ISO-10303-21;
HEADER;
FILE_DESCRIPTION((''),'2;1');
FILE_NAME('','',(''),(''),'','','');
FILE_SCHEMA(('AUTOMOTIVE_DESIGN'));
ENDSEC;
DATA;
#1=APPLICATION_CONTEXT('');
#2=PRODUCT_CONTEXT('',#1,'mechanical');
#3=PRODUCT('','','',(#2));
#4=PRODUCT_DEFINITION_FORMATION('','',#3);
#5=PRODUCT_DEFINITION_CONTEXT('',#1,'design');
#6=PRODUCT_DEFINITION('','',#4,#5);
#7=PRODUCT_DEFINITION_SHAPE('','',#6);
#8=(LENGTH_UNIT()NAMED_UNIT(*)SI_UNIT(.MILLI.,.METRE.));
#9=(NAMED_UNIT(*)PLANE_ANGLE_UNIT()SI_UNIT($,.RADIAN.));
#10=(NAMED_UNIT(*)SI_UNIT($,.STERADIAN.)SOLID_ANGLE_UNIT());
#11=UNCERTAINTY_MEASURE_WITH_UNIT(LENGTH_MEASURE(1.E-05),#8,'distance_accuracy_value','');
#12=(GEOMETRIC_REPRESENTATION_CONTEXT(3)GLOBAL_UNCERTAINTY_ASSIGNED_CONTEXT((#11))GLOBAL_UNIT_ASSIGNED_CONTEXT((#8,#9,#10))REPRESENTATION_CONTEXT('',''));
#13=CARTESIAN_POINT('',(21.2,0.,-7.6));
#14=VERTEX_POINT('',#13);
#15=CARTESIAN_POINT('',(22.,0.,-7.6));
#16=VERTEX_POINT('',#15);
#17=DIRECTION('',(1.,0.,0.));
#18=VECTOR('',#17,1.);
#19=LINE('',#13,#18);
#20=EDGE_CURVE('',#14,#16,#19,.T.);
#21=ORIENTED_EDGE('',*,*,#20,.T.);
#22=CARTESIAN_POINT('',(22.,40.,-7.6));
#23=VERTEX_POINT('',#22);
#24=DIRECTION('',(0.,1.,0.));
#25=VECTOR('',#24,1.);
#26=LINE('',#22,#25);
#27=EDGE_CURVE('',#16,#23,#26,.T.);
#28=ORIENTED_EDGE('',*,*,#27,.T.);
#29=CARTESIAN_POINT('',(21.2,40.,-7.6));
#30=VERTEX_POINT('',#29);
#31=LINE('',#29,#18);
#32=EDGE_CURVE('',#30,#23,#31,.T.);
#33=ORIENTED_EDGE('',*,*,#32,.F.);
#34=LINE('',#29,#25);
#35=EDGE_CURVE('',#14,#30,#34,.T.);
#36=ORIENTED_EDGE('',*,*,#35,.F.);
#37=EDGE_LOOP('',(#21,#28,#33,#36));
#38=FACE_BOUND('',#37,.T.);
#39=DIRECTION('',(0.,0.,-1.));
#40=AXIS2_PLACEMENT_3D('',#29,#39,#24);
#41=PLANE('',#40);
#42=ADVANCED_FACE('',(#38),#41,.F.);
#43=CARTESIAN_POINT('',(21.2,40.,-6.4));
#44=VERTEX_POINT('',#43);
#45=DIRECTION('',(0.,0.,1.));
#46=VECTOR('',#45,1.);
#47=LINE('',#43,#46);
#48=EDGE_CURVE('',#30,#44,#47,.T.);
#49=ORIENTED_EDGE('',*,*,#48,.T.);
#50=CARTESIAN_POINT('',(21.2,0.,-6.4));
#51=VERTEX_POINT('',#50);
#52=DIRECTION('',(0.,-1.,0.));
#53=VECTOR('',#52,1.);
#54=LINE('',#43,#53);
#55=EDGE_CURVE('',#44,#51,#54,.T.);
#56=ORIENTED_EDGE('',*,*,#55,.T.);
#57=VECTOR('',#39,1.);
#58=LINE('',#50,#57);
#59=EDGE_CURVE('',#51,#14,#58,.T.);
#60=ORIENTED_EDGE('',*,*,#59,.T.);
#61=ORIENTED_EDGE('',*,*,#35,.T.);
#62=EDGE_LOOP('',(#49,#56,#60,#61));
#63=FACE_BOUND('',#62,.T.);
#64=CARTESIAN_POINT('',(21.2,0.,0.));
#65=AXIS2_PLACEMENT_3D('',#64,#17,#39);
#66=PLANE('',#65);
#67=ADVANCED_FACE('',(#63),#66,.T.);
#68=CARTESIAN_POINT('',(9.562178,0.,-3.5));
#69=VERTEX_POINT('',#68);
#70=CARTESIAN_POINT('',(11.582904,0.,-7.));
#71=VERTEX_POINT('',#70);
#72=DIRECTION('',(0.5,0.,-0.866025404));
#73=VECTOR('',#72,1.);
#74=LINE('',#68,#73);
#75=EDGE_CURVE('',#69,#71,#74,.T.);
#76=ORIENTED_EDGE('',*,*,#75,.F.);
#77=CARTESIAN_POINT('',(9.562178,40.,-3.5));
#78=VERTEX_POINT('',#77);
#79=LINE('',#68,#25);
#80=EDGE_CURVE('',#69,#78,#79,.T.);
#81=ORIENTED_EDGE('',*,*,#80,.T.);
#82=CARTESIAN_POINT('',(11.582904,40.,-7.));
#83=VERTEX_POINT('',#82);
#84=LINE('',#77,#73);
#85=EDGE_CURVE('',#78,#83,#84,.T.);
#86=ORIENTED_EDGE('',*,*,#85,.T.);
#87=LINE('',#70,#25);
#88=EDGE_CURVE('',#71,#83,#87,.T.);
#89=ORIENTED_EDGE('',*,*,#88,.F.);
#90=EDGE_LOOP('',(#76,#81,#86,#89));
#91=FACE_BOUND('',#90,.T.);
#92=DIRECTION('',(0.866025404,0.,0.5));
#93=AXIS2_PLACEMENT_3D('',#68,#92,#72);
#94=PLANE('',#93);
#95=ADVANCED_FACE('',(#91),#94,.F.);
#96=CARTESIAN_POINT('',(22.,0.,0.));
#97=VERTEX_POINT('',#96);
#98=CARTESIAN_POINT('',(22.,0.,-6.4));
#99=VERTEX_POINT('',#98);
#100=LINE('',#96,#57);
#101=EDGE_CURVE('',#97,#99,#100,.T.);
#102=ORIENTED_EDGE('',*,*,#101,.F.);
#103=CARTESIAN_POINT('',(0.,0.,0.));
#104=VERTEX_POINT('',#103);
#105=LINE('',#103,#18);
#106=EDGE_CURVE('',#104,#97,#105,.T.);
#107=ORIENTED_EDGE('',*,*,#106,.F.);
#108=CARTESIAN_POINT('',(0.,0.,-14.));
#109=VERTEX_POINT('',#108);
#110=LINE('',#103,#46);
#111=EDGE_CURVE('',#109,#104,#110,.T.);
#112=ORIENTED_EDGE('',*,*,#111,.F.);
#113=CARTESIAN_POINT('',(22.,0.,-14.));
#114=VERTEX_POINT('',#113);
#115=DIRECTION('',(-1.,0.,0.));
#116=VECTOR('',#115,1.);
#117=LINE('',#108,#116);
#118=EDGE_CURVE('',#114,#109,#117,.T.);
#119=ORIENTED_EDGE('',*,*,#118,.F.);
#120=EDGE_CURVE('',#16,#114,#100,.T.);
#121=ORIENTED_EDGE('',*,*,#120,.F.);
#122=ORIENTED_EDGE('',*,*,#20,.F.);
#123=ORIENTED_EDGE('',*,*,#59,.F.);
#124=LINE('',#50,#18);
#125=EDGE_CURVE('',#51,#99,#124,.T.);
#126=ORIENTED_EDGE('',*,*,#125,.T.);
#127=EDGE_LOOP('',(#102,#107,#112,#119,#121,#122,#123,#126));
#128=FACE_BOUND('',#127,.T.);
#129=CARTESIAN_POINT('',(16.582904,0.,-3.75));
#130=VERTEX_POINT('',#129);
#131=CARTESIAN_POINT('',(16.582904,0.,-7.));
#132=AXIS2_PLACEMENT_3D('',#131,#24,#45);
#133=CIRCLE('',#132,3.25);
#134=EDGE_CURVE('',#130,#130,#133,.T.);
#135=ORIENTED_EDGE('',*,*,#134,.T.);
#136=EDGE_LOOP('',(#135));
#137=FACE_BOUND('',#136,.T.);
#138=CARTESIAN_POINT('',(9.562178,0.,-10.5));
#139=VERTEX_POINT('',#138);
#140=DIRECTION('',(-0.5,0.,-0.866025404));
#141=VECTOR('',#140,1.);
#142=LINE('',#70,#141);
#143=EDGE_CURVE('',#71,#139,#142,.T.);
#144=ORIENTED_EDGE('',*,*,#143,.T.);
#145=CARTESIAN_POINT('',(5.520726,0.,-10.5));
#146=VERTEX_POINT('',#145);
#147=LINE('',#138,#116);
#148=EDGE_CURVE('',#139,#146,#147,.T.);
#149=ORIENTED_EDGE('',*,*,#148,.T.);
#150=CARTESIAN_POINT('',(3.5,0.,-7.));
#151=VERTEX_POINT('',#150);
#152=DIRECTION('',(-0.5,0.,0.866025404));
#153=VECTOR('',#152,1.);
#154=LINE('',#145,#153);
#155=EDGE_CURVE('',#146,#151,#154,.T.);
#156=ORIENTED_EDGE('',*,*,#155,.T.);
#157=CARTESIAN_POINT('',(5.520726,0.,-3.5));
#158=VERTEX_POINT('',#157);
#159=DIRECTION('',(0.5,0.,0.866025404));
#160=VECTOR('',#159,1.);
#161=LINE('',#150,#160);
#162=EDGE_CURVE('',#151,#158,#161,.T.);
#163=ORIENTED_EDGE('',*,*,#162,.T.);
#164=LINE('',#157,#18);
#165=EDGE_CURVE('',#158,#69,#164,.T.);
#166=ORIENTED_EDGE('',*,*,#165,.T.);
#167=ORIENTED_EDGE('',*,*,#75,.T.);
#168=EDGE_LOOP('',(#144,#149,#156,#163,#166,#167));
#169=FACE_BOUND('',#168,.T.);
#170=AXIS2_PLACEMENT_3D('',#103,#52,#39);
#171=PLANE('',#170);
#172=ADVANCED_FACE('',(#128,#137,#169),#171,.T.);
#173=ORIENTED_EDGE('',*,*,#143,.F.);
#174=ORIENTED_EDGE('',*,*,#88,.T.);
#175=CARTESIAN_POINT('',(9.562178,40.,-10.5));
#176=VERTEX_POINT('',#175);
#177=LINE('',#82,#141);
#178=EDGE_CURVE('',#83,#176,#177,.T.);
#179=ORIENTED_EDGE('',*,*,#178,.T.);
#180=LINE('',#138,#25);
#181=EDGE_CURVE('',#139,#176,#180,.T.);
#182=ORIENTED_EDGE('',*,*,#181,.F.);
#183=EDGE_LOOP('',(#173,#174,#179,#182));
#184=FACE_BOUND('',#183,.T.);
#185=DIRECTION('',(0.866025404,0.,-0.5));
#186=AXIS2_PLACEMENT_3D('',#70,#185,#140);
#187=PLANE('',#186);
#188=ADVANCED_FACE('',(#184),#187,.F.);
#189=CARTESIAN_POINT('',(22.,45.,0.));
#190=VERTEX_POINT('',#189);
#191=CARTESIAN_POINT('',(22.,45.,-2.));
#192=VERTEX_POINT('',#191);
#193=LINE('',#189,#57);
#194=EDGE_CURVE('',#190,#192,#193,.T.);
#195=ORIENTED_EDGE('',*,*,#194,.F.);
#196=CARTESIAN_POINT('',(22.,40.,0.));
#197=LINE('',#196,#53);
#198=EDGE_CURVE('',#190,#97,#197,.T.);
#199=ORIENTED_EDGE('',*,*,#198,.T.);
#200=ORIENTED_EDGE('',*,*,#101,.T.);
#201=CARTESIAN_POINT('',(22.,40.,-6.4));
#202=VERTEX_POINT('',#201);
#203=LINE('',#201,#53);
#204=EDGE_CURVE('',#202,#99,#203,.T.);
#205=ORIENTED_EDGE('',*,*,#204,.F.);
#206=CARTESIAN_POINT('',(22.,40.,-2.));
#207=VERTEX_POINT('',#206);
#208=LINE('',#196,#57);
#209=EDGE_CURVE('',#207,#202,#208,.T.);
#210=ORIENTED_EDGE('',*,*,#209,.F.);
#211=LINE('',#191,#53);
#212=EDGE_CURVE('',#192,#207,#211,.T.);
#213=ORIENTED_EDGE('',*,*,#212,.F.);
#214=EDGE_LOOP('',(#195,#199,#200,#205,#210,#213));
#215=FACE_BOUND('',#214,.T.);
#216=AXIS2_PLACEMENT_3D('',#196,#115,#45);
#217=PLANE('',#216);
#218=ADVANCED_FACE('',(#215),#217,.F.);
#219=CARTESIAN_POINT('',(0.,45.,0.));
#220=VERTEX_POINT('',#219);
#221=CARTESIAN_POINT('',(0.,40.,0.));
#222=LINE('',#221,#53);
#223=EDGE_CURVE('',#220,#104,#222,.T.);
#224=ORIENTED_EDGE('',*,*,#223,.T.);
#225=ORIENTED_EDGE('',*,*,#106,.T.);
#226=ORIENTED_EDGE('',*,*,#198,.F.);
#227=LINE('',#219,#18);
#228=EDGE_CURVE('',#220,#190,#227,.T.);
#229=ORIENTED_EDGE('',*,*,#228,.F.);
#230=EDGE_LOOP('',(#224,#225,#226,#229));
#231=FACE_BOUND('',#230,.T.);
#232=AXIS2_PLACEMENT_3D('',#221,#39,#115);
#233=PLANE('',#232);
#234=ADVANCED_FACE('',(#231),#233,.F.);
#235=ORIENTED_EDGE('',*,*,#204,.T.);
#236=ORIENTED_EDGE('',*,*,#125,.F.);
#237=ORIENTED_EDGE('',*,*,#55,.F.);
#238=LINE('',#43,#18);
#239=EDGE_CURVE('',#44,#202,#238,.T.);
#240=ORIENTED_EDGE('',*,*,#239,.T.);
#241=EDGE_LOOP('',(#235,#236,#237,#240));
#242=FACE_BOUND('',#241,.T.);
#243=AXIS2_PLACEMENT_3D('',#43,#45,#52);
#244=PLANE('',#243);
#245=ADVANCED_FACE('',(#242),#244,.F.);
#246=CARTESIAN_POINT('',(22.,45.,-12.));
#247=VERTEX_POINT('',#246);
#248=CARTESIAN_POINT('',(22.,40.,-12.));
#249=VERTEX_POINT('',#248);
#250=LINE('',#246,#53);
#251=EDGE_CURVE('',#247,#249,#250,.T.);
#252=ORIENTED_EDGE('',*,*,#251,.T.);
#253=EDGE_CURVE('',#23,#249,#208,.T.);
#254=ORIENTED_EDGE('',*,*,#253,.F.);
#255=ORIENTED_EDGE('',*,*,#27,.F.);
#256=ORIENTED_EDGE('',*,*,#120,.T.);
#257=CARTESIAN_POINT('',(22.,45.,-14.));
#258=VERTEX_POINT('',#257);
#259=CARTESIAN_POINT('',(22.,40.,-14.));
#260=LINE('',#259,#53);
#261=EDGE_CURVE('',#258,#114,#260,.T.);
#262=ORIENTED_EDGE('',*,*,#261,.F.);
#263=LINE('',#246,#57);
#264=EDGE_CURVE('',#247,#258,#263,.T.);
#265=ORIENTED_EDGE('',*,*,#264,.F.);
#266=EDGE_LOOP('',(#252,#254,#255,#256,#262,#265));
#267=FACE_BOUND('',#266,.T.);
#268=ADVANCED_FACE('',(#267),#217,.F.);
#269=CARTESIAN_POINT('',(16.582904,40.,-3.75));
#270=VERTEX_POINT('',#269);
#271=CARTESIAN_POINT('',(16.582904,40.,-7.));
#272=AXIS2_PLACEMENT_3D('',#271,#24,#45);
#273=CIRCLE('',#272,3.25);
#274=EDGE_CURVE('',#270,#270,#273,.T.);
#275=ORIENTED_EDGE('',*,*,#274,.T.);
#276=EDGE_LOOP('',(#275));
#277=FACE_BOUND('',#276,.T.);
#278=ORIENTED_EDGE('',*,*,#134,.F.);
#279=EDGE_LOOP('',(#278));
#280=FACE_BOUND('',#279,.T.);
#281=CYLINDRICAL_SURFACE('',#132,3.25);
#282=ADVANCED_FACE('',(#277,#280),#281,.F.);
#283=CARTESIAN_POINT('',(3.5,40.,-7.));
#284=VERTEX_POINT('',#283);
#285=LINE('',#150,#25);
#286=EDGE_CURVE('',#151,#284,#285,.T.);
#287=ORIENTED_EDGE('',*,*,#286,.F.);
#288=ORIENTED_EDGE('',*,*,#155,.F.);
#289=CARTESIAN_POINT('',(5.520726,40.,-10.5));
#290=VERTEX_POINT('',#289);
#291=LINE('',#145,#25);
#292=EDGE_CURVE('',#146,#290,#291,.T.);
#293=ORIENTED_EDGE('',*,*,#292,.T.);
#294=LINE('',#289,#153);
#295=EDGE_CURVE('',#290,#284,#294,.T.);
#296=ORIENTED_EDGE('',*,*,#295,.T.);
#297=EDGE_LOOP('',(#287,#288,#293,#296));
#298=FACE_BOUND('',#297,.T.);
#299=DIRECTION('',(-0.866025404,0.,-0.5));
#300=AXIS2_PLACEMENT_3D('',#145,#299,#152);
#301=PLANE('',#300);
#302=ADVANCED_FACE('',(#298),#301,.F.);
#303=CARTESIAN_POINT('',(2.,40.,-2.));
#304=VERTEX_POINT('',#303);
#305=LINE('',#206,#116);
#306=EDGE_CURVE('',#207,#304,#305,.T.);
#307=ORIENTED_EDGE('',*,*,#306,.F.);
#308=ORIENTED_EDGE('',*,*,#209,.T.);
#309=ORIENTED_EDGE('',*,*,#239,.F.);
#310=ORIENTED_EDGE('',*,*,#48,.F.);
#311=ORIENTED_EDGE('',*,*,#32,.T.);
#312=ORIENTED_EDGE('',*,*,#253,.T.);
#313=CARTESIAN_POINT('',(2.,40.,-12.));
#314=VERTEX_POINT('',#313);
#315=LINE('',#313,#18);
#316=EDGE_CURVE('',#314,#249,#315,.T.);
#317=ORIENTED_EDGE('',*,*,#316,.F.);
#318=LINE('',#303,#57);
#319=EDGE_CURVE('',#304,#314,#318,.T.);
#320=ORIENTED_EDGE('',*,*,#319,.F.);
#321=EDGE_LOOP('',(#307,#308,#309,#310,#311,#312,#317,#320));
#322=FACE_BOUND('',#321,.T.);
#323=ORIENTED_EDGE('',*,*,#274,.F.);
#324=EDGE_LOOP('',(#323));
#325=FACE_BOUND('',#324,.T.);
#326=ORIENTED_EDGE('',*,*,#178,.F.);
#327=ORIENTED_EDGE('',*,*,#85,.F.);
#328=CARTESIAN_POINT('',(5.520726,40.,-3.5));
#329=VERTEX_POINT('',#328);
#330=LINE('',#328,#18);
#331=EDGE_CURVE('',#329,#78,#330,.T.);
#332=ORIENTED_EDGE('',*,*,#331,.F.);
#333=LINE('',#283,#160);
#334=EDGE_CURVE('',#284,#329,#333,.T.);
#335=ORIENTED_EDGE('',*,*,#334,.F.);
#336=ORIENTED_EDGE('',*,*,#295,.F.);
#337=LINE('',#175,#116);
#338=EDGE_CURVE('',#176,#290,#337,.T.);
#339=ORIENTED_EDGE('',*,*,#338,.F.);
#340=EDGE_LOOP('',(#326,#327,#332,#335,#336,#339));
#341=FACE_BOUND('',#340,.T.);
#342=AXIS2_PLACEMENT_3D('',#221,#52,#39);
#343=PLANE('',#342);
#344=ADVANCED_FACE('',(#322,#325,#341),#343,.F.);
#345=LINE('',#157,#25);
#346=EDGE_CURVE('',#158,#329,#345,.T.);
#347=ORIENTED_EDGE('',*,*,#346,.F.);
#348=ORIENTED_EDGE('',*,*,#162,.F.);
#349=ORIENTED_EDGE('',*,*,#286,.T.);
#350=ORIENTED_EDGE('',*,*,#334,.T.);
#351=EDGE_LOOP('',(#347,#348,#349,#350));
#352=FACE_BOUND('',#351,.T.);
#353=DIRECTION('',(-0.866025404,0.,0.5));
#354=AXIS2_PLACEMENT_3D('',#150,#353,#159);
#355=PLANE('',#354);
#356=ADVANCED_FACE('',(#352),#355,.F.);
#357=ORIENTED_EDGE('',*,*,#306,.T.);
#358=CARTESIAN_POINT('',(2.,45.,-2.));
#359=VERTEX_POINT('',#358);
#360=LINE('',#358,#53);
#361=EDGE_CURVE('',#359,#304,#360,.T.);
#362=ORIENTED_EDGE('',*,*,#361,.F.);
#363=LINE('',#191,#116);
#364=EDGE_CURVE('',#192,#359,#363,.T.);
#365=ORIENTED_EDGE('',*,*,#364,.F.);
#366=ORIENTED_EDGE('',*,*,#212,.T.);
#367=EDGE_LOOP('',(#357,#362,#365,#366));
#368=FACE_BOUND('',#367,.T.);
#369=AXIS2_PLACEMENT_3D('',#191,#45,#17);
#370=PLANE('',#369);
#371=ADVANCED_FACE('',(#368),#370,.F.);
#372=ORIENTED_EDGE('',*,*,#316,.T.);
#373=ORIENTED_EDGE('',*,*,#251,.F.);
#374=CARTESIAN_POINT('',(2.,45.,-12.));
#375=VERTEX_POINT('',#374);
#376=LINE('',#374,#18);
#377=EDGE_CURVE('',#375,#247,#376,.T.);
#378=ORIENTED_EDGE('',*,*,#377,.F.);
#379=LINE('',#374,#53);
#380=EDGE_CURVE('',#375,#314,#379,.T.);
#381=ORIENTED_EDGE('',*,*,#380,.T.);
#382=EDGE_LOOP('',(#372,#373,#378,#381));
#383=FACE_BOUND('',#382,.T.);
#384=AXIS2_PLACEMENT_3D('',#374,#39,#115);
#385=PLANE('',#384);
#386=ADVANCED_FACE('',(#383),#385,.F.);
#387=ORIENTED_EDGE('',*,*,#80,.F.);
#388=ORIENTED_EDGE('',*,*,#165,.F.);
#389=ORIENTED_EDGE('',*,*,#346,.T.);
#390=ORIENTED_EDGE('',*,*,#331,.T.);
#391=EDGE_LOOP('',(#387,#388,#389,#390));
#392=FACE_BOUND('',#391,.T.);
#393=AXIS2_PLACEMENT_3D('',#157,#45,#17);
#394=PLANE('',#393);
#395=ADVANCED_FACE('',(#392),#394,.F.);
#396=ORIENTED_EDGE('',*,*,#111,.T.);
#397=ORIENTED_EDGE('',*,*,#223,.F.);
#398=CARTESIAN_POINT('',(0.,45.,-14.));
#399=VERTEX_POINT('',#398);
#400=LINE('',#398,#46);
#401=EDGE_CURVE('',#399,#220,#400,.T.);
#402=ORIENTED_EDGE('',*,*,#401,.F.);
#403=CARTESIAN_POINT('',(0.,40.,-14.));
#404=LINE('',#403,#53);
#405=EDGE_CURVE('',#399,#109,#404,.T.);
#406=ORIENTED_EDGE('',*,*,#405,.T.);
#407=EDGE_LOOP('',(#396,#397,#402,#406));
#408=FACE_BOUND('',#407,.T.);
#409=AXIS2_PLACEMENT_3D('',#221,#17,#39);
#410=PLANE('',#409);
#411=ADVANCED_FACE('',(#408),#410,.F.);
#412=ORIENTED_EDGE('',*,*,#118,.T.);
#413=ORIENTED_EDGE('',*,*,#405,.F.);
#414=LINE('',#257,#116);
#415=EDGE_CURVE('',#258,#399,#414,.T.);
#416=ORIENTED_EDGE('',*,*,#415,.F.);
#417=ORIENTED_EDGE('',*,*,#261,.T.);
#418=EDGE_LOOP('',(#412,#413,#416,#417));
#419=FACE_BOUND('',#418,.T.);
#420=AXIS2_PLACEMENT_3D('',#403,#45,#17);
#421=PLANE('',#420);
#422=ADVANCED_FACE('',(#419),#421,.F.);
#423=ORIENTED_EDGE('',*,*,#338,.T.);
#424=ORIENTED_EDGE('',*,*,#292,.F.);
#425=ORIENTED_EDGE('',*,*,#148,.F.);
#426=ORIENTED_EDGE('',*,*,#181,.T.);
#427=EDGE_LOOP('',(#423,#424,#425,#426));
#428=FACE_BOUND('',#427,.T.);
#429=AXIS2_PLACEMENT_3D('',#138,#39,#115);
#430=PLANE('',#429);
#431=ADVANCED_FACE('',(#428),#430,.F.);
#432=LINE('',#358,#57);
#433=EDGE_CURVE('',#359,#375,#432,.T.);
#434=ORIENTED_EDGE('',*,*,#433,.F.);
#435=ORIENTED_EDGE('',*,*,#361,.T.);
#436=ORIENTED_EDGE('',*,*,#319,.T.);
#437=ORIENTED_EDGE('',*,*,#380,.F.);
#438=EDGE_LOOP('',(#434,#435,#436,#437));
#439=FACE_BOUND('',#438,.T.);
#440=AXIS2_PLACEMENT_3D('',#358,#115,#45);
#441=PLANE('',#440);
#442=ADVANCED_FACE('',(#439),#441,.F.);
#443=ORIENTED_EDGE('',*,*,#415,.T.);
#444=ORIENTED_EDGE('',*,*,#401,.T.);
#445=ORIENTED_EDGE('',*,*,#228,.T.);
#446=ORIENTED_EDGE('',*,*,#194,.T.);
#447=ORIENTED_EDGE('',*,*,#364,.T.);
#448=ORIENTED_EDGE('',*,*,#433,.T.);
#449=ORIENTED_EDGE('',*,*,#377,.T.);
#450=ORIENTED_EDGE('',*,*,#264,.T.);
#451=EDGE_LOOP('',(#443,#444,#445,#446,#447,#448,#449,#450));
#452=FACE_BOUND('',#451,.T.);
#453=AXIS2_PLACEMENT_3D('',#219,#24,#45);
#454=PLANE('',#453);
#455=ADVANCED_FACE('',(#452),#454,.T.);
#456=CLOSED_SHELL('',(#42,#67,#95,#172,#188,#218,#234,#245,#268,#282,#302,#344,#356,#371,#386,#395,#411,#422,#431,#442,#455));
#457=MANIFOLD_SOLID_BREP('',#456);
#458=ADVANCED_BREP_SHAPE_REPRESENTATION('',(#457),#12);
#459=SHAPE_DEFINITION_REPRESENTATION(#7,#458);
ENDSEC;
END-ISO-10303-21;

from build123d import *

# Parameters (mm, degrees)
SKETCH1_W           = 22
SKETCH1_H           = 14
BOSS_EXTRUDE1_DEPTH = 40
BOSS_EXTRUDE2_DEPTH = 5
SKETCH3_R           = 3.25
CUT_EXTRUDE1_DEPTH  = 41
SKETCH4_W           = 1.2
SKETCH4_H           = 40
CUT_EXTRUDE2_DEPTH  = 0.8


with BuildPart() as part:
    # Sketch1 → Boss-Extrude1 (new body)
    with BuildSketch(Plane(origin=(0, 0, 0), x_dir=(1, 0, 0), z_dir=(0, 1, 0))):
        with Locations((11, 7)):
            Rectangle(SKETCH1_W, SKETCH1_H)
    extrude(amount=BOSS_EXTRUDE1_DEPTH)

    # Sketch2 → Boss-Extrude2 (add)
    with BuildSketch(Plane(origin=(0, 40, 0), x_dir=(1, 0, 0), z_dir=(0, 1, 0))):
        Polygon((22, 0), (22, 2), (2, 2), (2, 12), (22, 12), (22, 14), (0, 14), (0, 0), align=None)
    extrude(amount=BOSS_EXTRUDE2_DEPTH)

    # Sketch3 → Cut-Extrude1 (cut, through all)
    with BuildSketch(Plane(origin=(0, 40, 0), x_dir=(1, 0, 0), z_dir=(0, 1, 0))):
        with Locations((16.582903769, 7)):
            Circle(SKETCH3_R)
        Polygon((11.582903769, 7), (9.562177826, 10.5), (5.520725942, 10.5), (3.5, 7), (5.520725942, 3.5), (9.562177826, 3.5), align=None)
    extrude(amount=-CUT_EXTRUDE1_DEPTH, mode=Mode.SUBTRACT)

    # Sketch4 → Cut-Extrude2 (cut)
    with BuildSketch(Plane(origin=(22, 0, 0), x_dir=(0, 0, -1), z_dir=(1, 0, 0))):
        with Locations((7, 20)):
            Rectangle(SKETCH4_W, SKETCH4_H)
    extrude(amount=-CUT_EXTRUDE2_DEPTH, mode=Mode.SUBTRACT)


solid = part.part
